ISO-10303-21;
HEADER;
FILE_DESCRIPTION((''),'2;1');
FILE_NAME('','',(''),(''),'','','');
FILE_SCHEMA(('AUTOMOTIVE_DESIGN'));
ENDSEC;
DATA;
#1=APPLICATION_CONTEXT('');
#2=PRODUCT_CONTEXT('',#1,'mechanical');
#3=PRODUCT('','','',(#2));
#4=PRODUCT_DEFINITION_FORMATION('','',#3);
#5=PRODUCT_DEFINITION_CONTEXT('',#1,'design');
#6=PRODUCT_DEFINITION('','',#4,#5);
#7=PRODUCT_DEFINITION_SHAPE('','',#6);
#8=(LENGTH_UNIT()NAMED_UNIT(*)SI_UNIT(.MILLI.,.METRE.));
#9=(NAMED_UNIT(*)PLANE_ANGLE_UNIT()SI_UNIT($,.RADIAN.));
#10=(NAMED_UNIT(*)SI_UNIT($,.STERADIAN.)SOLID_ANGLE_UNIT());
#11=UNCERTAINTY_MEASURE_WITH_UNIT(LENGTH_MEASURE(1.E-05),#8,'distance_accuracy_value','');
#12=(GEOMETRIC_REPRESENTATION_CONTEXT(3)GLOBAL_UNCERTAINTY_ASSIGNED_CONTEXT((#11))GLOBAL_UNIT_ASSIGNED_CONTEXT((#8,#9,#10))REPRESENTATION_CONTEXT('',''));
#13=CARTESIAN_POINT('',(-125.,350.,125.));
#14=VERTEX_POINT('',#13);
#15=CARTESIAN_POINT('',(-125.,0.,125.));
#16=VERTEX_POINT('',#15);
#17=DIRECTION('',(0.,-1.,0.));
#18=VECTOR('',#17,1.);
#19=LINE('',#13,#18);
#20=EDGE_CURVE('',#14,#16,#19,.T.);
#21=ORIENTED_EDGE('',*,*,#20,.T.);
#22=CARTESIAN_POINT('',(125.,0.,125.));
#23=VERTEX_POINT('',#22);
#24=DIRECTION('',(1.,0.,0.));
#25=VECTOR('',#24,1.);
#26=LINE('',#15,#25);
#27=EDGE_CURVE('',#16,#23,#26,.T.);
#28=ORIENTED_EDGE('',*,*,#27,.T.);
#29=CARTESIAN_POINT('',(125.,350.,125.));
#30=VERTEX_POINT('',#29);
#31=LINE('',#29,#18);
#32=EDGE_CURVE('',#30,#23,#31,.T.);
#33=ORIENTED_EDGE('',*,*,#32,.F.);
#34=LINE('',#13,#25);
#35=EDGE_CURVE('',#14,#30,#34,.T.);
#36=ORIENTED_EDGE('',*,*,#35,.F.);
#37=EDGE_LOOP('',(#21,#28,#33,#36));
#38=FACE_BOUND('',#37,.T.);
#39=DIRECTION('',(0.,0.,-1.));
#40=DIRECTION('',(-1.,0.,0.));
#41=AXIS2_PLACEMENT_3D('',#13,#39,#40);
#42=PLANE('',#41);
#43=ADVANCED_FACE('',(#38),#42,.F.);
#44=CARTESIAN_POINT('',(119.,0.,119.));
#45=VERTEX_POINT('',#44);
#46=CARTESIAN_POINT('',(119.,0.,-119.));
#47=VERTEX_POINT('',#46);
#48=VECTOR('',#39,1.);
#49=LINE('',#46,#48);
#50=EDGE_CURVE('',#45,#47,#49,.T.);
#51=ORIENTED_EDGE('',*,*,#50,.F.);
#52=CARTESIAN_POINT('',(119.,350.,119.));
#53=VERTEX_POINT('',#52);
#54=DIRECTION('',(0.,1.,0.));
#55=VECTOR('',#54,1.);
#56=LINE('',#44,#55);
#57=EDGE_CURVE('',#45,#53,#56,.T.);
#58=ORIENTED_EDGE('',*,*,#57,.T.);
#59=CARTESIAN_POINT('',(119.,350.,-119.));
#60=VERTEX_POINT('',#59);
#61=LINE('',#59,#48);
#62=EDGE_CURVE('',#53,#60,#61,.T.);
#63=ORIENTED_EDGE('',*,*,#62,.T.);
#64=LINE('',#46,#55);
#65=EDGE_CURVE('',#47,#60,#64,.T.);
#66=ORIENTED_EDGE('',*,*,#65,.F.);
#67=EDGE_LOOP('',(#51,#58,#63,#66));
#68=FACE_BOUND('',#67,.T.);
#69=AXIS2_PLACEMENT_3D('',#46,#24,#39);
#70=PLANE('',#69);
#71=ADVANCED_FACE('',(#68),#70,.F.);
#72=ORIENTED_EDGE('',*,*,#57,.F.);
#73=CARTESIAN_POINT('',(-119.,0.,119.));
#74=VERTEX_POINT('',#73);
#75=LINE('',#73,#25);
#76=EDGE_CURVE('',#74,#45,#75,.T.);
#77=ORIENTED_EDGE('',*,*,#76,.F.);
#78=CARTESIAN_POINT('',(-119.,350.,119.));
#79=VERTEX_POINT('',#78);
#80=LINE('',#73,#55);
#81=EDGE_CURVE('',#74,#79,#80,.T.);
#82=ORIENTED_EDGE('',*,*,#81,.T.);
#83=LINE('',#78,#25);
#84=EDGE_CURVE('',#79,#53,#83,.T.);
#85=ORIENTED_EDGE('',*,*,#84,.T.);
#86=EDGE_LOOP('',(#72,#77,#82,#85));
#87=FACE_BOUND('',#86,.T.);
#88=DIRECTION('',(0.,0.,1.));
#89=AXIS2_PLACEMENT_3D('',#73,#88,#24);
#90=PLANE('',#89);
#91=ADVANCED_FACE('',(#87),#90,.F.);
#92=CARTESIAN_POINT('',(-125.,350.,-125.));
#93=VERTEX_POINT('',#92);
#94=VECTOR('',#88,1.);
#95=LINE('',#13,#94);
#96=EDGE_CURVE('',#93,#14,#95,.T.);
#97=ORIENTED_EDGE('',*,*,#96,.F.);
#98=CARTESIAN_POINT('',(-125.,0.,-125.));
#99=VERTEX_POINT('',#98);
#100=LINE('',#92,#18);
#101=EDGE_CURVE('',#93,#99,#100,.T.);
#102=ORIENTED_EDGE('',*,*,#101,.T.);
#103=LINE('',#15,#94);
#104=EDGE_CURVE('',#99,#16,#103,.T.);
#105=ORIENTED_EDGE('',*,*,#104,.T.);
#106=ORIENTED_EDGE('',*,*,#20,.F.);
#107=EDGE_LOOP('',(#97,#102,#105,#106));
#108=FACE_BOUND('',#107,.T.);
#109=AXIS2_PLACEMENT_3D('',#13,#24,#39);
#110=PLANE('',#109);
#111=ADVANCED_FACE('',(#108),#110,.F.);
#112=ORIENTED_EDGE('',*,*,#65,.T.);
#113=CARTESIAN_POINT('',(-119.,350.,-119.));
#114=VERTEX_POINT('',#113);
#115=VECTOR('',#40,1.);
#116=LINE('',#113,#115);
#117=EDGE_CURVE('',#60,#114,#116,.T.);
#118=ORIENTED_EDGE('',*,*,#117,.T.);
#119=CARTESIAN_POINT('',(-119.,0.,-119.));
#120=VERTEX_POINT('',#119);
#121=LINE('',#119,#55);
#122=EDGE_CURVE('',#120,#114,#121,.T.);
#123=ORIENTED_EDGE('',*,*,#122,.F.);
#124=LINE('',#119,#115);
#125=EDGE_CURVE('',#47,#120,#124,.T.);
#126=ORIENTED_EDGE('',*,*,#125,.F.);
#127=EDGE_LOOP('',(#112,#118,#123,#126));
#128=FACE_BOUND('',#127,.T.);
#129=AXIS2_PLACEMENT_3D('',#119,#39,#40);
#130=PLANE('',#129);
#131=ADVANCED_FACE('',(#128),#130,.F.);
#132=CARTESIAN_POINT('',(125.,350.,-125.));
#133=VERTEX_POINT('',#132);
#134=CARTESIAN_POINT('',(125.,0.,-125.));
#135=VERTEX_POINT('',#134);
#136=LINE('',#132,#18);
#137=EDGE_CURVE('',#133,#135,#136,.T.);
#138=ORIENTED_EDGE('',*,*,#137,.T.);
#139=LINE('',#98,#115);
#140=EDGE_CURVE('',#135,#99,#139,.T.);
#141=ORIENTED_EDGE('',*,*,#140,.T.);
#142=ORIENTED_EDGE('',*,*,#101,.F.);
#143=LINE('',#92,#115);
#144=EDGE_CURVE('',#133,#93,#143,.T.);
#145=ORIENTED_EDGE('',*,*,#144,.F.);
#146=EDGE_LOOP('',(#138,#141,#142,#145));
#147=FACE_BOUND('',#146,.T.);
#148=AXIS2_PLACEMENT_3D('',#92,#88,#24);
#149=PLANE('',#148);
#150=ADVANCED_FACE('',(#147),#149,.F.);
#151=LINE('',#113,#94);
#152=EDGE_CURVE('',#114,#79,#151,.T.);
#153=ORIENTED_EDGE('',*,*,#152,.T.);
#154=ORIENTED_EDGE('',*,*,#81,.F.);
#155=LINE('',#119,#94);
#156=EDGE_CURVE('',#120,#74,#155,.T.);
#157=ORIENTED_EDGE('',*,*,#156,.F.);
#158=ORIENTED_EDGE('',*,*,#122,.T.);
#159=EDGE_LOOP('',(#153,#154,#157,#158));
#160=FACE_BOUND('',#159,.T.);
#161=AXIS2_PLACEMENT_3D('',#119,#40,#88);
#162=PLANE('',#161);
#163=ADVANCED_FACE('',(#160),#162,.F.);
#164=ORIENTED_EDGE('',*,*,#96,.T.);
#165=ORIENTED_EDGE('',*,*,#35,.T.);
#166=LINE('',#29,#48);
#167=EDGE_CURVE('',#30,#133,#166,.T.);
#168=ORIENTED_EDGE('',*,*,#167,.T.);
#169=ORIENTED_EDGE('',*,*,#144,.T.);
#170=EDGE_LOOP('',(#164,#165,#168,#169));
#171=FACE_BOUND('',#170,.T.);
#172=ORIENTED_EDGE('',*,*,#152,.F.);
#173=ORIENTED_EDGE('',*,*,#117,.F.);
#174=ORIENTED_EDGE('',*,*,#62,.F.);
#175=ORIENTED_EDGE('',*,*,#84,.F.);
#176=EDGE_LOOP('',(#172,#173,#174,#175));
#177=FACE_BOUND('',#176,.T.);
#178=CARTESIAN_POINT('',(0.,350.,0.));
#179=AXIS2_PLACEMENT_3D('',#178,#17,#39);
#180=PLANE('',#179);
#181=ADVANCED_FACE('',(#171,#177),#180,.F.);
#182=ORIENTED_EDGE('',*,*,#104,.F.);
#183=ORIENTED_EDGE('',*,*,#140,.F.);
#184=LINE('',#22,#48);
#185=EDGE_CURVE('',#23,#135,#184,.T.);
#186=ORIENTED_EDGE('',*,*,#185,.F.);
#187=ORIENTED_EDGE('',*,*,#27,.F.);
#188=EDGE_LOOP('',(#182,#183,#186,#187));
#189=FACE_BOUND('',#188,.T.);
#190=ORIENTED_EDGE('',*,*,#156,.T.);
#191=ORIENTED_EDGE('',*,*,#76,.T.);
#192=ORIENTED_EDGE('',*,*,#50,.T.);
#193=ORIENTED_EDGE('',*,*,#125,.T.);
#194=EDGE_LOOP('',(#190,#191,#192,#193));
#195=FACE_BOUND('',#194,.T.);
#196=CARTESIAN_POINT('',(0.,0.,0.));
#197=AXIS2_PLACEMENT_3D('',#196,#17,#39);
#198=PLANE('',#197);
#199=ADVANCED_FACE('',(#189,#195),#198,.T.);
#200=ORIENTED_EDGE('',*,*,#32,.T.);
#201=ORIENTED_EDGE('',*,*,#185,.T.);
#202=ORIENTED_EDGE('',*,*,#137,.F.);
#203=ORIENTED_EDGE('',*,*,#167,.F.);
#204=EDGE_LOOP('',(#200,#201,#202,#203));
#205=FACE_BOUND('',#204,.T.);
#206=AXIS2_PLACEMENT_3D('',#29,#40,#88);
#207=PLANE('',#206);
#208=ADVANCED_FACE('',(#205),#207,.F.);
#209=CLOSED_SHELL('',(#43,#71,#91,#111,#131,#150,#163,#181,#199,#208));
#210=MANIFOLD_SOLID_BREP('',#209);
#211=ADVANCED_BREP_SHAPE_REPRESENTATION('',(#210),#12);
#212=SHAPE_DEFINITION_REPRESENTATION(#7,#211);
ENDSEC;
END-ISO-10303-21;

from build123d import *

# Parameters (mm, degrees)
SKETCH1_W           = 250
SKETCH1_H           = 250
BOSS_EXTRUDE1_DEPTH = 350
SKETCH2_W           = 238
SKETCH2_H           = 238
CUT_EXTRUDE1_DEPTH  = 393.109678534


with BuildPart() as part:
    # Sketch1 → Boss-Extrude1 (new body)
    with BuildSketch(Plane(origin=(0, 0, 0), x_dir=(1, 0, 0), z_dir=(0, 1, 0))):
        Rectangle(SKETCH1_W, SKETCH1_H)
    extrude(amount=BOSS_EXTRUDE1_DEPTH)

    # Sketch2 → Cut-Extrude1 (cut, through all)
    with BuildSketch(Plane(origin=(0, 350, 0), x_dir=(1, 0, 0), z_dir=(0, 1, 0))):
        Rectangle(SKETCH2_W, SKETCH2_H)
    extrude(amount=-CUT_EXTRUDE1_DEPTH, mode=Mode.SUBTRACT)


solid = part.part
